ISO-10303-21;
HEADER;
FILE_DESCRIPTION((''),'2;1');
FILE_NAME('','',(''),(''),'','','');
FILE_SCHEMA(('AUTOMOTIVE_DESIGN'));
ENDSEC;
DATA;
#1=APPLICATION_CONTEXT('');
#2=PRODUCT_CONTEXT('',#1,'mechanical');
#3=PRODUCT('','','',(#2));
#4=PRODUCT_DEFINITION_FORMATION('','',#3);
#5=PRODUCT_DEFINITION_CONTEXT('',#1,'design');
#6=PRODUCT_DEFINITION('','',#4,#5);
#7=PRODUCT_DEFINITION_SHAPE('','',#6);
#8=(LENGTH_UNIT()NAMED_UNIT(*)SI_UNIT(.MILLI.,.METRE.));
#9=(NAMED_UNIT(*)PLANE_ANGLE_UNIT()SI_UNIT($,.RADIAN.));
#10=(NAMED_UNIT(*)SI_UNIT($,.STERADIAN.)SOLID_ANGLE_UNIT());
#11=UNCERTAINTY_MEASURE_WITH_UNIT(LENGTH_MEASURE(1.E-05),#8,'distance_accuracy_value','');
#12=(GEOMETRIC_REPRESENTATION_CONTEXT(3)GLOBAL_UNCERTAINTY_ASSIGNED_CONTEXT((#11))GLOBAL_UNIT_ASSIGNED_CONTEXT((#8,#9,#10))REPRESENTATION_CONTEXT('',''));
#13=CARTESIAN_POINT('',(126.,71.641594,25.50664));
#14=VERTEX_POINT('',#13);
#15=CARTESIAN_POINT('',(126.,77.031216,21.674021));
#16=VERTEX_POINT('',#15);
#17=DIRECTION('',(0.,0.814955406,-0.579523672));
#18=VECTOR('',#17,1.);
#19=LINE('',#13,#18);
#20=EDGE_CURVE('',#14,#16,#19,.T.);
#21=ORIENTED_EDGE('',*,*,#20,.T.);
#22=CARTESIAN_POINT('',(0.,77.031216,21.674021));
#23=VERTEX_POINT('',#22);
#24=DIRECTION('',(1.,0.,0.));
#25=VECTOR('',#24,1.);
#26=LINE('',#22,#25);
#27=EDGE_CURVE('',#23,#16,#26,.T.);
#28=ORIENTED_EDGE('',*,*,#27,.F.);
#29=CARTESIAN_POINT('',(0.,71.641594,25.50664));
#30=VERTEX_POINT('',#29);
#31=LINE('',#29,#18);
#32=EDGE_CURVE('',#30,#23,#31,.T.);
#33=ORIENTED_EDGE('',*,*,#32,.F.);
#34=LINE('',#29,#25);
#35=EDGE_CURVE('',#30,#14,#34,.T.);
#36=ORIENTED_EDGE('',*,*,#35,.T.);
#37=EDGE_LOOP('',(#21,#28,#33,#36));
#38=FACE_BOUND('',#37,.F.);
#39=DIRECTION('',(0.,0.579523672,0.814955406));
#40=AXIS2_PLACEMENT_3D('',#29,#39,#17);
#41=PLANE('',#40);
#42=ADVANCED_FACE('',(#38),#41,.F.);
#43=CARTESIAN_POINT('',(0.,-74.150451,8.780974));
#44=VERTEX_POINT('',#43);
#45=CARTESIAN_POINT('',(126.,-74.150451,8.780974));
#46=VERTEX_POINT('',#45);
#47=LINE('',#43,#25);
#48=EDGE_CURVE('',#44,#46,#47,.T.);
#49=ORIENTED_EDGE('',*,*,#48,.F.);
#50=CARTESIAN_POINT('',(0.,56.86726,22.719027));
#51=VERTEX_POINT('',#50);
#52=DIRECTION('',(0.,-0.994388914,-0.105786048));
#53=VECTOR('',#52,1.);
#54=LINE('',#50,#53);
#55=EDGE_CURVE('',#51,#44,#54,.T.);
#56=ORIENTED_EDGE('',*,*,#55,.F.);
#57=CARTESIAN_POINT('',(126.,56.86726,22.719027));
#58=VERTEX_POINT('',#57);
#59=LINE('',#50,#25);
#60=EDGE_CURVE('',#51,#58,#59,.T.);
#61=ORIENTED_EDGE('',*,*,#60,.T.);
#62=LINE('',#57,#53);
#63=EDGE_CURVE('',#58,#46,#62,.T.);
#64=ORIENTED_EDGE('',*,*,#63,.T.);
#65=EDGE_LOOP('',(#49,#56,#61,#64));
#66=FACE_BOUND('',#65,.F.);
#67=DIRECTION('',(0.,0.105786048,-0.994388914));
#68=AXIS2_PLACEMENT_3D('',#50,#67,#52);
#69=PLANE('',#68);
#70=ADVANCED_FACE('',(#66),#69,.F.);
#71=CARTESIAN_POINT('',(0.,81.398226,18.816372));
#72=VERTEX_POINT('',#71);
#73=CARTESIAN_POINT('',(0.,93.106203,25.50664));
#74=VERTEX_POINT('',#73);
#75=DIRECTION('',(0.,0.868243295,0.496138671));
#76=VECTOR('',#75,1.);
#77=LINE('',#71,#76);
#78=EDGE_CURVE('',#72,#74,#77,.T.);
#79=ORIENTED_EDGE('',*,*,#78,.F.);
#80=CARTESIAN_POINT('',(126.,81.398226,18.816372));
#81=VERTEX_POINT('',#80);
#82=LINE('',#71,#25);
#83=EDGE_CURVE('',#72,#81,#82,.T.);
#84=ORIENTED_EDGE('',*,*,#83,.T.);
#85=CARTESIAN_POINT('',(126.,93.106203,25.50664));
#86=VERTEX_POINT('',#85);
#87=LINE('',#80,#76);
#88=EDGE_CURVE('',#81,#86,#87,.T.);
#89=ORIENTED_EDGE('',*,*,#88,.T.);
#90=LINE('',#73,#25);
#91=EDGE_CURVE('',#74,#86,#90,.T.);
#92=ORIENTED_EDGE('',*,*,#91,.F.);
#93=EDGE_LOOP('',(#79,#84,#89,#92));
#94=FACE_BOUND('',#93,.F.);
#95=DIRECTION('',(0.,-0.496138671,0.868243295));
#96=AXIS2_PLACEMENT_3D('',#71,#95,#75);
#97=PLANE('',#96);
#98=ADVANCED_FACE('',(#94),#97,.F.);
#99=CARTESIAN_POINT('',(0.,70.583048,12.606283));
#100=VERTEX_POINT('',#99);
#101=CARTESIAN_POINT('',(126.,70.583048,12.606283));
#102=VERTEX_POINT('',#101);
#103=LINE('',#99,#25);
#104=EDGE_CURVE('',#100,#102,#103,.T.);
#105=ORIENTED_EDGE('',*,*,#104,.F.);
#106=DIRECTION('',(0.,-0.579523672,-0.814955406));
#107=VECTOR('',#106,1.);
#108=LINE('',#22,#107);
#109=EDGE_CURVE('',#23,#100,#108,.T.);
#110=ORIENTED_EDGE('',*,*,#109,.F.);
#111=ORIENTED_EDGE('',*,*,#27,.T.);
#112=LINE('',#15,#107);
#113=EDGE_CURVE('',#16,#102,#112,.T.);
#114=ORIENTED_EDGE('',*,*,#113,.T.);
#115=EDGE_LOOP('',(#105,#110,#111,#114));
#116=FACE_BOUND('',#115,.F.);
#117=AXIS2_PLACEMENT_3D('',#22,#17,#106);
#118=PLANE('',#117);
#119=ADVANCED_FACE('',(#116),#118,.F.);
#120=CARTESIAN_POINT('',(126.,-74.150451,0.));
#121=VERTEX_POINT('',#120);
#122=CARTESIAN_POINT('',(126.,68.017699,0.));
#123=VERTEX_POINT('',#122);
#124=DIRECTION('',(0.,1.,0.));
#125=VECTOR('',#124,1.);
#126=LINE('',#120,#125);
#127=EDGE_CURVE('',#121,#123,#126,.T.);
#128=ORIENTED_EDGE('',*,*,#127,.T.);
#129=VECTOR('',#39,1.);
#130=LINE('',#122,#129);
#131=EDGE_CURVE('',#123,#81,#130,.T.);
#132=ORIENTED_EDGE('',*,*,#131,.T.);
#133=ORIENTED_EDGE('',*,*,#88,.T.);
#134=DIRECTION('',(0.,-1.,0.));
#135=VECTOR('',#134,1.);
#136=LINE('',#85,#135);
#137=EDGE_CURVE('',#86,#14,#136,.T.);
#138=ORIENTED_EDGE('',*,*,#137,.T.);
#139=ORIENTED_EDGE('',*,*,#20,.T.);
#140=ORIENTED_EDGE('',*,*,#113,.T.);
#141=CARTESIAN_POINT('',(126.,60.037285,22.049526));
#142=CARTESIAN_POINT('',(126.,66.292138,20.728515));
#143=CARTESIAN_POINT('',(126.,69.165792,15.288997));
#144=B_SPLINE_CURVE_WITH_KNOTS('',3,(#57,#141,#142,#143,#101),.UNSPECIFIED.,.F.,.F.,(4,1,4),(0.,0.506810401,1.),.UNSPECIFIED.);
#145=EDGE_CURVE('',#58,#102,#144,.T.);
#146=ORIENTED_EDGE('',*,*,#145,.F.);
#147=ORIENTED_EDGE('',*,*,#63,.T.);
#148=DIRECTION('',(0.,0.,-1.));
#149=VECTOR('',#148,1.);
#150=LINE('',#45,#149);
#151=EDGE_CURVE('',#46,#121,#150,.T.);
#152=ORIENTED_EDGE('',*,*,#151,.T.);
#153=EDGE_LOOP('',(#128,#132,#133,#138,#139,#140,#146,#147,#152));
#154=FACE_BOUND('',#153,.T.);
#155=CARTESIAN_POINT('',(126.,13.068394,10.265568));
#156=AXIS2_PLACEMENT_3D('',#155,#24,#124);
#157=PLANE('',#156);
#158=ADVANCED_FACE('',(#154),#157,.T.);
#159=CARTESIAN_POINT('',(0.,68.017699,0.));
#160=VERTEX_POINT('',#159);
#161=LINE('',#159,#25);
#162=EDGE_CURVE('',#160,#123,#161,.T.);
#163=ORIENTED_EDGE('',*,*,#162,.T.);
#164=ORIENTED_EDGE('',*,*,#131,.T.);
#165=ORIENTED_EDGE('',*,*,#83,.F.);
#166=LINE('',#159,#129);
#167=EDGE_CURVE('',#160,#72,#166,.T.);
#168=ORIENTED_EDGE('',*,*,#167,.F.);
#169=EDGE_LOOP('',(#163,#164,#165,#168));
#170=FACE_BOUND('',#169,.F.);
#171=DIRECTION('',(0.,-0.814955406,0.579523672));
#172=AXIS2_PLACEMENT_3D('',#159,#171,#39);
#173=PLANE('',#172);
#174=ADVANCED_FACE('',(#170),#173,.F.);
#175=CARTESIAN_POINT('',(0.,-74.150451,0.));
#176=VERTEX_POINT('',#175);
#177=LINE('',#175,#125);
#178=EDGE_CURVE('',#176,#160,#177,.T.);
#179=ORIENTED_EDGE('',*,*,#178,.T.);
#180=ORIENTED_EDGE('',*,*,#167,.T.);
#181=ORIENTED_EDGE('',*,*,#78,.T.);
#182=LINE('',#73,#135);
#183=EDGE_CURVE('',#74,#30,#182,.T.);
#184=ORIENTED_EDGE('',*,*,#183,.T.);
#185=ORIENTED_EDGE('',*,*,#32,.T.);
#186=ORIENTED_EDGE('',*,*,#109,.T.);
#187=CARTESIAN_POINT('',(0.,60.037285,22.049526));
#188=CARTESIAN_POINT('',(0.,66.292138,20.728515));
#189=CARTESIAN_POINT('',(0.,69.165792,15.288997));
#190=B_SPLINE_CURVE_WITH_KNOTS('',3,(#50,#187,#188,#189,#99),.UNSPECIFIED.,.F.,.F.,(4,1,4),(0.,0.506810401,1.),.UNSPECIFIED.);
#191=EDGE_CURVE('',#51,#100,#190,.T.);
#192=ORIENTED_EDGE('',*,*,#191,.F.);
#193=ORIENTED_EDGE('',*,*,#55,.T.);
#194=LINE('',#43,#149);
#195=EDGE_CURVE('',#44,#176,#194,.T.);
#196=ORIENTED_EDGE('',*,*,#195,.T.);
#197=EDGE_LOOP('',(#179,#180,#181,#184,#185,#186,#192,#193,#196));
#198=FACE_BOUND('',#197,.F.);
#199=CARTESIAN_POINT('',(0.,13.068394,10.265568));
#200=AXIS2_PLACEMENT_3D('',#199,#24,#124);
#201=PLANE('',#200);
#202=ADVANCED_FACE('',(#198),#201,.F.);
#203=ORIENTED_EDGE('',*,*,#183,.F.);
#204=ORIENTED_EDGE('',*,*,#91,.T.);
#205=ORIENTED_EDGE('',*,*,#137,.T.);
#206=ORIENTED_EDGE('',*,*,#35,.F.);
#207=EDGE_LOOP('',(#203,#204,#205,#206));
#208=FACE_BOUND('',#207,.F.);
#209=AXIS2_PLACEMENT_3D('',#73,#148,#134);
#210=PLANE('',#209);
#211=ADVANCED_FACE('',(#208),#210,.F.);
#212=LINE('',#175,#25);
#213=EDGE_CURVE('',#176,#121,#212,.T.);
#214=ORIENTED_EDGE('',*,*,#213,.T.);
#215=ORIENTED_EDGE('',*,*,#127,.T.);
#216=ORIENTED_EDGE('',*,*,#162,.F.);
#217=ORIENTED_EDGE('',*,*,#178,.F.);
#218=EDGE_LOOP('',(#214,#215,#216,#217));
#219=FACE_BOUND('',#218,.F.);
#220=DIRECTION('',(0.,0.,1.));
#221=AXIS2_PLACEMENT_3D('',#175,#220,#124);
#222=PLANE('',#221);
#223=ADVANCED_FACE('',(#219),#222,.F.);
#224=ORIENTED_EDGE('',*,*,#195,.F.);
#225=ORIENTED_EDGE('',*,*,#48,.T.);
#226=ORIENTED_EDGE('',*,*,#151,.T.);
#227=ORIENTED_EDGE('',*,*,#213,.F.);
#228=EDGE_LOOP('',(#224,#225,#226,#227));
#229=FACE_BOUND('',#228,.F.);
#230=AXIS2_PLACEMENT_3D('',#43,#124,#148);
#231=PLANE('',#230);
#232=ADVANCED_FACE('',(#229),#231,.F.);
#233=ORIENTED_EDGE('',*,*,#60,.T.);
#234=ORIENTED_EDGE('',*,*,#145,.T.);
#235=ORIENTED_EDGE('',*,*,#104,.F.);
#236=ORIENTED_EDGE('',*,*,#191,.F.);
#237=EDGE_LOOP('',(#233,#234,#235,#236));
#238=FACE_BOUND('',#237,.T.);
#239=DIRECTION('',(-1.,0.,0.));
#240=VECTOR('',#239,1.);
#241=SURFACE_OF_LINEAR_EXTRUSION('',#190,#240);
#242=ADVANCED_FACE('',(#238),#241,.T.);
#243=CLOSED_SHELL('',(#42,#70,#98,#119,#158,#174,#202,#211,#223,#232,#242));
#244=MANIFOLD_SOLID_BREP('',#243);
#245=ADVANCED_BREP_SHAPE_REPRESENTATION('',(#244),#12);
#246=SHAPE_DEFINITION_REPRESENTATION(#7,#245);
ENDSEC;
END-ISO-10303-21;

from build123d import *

# Parameters (mm, degrees)
F1_DEPTH = 126


with BuildPart() as f1:
    # F0 (on Right) → F1 (new body)
    with BuildSketch(Plane.YZ):
        with BuildLine():
            Line((56.8672604859, 22.7190274745), (-74.1504505277, 8.7809739634))
            Line((-74.1504505277, 8.7809739634), (-74.1504505277, 0))
            Line((-74.1504505277, 0), (68.0176988244, 0))
            Line((68.0176988244, 0), (81.3982263207, 18.8163723797))
            Line((81.3982263207, 18.8163723797), (93.1062027812, 25.5066398531))
            Line((93.1062027812, 25.5066398531), (71.6415941715, 25.5066398531))
            Line((71.6415941715, 25.5066398531), (77.0312156656, 21.6740212622))
            Line((77.0312156656, 21.6740212622), (70.5830478746, 12.6062826134))
            add(Edge.make_bspline(
                [(56.8672604859, 22.7190274745), (60.0372849077, 22.0495257048), (66.2921376384, 20.7285153858), (69.1657916202, 15.2889966677), (70.5830478746, 12.6062826134)],
                knots=[0, 0, 0, 0, 0.5068104012, 1, 1, 1, 1], degree=3))
        make_face()
    extrude(amount=F1_DEPTH)


solid = f1.part
